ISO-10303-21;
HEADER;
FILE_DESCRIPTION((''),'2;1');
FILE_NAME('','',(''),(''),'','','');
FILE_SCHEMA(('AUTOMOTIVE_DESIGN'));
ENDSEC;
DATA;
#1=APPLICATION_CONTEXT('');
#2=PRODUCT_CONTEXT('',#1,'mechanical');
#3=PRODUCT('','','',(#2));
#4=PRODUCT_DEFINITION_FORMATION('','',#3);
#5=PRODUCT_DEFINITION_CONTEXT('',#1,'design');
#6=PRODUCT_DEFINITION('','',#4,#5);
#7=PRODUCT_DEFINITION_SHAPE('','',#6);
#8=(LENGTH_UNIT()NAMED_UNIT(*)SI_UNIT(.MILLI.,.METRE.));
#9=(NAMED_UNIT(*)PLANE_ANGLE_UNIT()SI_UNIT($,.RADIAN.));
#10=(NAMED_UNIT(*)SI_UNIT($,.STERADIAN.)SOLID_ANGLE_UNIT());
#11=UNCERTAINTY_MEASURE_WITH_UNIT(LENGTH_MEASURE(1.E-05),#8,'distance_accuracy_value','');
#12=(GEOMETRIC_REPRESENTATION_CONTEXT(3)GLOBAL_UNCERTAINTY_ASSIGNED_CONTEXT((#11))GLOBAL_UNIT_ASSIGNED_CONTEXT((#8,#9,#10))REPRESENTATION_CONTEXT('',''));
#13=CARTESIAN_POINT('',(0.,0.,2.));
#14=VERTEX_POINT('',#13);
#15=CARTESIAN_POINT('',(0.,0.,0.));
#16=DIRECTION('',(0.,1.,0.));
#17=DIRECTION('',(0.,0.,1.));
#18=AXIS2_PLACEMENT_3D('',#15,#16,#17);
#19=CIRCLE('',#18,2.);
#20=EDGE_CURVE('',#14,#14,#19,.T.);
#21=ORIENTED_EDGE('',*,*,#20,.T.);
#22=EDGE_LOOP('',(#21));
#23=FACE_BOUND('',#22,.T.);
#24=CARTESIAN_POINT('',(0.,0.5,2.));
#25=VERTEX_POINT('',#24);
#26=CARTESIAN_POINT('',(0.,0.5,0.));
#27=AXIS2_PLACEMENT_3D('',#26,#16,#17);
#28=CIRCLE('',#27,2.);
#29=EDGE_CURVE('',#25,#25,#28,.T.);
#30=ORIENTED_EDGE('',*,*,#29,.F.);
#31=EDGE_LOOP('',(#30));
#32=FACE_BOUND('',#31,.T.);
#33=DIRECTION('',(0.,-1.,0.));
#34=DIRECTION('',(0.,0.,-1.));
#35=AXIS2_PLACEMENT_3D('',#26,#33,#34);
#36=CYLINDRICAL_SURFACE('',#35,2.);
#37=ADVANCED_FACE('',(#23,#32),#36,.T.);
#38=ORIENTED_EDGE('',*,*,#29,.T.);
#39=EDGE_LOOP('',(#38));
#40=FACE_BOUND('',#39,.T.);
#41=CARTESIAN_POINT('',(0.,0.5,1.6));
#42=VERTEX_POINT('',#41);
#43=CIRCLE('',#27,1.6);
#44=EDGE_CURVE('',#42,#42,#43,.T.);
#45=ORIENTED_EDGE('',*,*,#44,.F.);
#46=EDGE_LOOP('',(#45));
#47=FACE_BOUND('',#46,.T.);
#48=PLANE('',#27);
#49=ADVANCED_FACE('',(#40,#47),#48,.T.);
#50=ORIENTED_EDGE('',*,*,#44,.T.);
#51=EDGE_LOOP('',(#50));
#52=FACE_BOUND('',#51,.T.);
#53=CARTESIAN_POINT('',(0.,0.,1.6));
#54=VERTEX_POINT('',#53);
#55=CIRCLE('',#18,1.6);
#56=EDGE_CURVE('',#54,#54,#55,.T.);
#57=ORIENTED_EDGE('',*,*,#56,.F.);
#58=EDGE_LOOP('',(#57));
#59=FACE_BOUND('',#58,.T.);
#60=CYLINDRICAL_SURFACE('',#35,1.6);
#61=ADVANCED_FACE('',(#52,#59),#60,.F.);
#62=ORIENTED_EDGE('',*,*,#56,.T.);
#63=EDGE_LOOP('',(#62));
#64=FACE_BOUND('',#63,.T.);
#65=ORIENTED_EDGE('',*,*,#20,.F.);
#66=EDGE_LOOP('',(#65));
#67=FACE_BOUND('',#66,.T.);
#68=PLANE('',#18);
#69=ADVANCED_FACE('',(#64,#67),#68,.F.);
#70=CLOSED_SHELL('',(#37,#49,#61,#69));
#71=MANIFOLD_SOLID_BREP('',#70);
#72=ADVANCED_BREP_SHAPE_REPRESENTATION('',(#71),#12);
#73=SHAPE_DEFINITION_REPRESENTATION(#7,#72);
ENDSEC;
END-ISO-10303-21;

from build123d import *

# Parameters (mm, degrees)
SKETCH1_R           = 2
SKETCH1_R_2         = 1.6
BOSS_EXTRUDE1_DEPTH = 0.5


with BuildPart() as part:
    # Sketch1 → Boss-Extrude1 (new body)
    with BuildSketch(Plane(origin=(0, 0, 0), x_dir=(1, 0, 0), z_dir=(0, 1, 0))):
        with Locations(Location((0, 0, 0), (0, 0, 270))):
            Circle(SKETCH1_R)
        with Locations(Location((0, 0, 0), (0, 0, 270))):
            Circle(SKETCH1_R_2, mode=Mode.SUBTRACT)
    extrude(amount=BOSS_EXTRUDE1_DEPTH)


solid = part.part
